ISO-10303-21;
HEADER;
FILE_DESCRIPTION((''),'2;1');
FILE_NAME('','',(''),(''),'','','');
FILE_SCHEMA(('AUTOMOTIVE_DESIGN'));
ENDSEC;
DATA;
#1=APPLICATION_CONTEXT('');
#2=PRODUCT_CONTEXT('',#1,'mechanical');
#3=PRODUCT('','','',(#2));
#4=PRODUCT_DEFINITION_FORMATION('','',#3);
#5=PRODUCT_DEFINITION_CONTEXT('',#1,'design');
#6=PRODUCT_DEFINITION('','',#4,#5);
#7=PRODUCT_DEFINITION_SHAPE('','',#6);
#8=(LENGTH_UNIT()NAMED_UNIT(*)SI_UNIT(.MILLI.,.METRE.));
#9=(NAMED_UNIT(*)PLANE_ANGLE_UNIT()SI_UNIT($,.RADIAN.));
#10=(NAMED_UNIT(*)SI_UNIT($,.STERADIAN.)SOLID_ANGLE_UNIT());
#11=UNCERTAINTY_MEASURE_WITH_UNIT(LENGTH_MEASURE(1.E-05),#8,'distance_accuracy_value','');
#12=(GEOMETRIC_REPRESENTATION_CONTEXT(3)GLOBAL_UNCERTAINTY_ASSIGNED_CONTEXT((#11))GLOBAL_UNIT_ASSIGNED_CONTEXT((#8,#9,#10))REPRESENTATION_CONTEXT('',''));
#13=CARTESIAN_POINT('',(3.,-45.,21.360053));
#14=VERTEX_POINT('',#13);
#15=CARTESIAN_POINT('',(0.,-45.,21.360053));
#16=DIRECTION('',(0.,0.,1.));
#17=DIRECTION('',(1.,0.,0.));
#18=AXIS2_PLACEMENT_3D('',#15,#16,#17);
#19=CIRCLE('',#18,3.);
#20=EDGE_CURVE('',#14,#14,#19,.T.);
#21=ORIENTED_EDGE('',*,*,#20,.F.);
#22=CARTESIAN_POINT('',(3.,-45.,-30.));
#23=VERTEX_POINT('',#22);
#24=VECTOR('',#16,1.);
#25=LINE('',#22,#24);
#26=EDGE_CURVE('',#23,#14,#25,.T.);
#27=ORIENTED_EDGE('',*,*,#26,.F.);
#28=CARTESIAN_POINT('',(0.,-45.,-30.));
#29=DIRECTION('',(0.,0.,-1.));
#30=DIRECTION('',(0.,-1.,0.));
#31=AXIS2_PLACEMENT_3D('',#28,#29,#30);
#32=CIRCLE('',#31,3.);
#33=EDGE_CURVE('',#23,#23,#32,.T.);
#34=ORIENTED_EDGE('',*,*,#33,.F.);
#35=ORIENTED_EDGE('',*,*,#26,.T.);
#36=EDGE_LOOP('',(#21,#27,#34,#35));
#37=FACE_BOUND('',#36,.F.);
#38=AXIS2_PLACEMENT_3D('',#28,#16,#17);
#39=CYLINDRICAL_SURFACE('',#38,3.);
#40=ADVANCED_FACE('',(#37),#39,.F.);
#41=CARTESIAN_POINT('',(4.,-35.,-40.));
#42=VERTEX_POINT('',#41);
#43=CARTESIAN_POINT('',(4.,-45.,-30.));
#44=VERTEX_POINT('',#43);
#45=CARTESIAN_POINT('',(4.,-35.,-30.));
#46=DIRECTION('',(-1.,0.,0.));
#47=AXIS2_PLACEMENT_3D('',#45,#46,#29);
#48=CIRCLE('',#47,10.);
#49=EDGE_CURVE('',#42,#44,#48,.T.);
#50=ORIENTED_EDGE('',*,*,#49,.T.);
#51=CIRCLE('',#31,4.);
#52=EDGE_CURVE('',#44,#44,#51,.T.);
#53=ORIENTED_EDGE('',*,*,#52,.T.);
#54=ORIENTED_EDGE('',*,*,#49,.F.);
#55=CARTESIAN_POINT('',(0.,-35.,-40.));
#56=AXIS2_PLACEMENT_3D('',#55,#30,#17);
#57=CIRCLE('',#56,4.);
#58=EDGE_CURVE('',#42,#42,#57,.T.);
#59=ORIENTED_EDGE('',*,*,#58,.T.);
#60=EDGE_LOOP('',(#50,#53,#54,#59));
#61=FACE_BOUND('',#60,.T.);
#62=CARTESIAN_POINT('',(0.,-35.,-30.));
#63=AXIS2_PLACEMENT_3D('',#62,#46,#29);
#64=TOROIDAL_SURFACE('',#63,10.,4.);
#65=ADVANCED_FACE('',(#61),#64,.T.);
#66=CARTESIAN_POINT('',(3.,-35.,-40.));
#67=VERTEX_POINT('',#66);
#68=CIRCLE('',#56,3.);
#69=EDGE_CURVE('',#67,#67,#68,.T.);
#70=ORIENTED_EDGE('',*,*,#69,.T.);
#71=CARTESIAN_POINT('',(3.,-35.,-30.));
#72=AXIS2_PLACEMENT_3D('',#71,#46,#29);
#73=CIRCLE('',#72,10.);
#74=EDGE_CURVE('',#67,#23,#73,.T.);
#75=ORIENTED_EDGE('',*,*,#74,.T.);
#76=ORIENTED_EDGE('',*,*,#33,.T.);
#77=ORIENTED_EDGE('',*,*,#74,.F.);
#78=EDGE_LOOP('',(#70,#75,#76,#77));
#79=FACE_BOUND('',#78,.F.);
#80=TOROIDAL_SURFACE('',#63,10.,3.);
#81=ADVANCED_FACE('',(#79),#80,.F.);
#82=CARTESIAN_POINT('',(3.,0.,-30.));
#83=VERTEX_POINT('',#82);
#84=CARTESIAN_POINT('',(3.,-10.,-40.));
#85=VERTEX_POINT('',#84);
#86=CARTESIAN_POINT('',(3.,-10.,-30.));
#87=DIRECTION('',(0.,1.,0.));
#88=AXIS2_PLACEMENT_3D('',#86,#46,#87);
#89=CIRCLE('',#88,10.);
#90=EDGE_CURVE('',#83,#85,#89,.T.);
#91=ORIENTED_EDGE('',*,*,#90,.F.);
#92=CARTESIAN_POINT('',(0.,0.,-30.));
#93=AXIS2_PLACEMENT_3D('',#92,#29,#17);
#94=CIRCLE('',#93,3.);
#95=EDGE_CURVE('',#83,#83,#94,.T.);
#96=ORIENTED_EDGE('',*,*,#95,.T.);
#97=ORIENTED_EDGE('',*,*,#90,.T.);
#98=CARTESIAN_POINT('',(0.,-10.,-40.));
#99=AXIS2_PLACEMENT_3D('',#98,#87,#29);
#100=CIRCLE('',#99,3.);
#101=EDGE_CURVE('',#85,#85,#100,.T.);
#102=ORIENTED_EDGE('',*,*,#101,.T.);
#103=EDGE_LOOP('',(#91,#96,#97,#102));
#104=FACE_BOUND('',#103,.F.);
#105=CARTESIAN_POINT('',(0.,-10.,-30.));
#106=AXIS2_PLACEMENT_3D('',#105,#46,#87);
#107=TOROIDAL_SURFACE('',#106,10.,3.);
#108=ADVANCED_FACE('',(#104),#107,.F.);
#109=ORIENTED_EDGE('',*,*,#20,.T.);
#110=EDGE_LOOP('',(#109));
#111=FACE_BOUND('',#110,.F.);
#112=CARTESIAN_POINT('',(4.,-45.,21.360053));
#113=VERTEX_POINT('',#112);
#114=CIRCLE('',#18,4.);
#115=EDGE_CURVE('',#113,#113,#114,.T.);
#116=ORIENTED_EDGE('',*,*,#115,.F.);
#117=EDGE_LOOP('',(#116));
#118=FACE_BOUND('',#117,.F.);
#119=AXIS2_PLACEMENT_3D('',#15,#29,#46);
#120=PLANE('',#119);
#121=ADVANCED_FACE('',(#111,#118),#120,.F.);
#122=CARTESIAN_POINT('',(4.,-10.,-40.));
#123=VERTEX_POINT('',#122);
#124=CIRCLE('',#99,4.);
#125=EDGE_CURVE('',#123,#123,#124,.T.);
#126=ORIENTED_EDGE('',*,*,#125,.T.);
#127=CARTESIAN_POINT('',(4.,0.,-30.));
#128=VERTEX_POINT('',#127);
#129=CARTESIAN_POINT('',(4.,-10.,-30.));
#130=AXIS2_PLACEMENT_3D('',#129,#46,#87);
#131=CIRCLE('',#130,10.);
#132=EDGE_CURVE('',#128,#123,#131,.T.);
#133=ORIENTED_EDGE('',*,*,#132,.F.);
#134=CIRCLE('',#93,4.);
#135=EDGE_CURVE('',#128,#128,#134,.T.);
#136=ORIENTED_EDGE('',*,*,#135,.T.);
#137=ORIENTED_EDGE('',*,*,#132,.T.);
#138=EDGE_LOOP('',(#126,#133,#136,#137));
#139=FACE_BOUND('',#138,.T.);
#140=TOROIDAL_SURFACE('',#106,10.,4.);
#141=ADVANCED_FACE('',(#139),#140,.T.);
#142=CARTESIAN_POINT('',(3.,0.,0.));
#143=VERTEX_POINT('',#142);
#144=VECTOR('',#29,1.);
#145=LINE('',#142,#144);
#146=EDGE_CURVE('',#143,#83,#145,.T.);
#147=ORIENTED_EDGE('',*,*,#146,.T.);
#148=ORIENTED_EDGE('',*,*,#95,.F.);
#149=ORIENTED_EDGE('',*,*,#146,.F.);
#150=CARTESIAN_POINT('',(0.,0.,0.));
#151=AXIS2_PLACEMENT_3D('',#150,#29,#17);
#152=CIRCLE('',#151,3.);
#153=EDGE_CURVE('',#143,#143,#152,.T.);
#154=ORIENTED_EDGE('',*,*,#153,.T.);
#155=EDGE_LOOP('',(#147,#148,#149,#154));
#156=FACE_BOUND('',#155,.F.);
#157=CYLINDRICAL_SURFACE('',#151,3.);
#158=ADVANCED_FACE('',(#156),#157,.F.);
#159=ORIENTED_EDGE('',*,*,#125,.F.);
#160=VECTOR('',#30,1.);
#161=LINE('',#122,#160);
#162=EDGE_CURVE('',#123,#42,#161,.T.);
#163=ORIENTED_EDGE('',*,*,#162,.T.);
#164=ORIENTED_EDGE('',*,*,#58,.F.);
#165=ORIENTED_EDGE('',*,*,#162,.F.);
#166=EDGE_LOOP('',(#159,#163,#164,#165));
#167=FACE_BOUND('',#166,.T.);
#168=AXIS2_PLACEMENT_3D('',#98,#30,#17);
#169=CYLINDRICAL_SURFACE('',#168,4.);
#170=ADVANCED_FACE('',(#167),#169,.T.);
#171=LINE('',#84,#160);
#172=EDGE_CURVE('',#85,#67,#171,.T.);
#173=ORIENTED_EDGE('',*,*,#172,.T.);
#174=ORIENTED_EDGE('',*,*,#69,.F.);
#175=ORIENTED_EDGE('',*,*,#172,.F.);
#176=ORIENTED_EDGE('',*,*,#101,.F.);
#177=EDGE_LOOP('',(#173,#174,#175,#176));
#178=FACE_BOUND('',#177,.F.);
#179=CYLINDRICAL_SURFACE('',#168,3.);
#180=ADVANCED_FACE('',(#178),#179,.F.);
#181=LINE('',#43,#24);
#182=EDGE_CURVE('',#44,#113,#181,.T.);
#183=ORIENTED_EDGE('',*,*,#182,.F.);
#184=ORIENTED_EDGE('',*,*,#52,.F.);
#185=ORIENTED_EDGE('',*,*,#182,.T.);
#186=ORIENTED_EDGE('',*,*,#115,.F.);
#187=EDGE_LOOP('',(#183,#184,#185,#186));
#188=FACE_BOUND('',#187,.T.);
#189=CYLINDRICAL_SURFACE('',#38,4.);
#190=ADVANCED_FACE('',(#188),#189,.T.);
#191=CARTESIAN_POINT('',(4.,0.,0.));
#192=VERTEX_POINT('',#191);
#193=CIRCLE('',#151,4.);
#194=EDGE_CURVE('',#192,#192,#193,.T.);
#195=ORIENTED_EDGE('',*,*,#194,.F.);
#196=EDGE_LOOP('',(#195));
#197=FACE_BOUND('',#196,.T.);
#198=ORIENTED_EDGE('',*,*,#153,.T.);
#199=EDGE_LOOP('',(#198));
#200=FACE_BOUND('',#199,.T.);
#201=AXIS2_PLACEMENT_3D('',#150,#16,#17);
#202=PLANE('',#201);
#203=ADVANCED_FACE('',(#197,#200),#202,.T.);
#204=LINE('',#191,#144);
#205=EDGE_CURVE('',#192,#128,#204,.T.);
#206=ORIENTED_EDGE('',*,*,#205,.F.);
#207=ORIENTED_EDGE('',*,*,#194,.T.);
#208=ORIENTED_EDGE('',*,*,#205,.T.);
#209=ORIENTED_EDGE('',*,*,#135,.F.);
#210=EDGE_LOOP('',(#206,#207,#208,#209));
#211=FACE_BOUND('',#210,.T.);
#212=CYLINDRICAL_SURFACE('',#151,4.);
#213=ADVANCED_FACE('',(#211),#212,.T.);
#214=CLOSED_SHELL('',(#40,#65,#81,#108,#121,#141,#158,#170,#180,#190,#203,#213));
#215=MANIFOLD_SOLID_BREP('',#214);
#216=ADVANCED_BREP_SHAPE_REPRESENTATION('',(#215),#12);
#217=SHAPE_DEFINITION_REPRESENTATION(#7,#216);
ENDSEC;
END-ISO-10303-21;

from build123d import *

# Parameters (mm, degrees)
F0_R   = 4
F0_R_2 = 3


with BuildPart() as f2:
    # F2: sweep along a path in F1
    with BuildLine(Plane.YZ) as f2_path:
        Line((0, 0), (0, -30))
        ThreePointArc((0, -30), (-2.9289321881, -37.0710678119), (-10, -40))
        Line((-10, -40), (-35, -40))
        ThreePointArc((-35, -40), (-42.0710678119, -37.0710678119), (-45, -30))
        Line((-45, -30), (-45, -3.0715101957))
        Line((-45, -3.0715101957), (-45, 21.3600527495))
    # F0 (on Top) → F2 (sweep)
    with BuildSketch(Plane.XY):
        Circle(F0_R)
        Circle(F0_R_2, mode=Mode.SUBTRACT)
    sweep(path=f2_path.line)


solid = f2.part
